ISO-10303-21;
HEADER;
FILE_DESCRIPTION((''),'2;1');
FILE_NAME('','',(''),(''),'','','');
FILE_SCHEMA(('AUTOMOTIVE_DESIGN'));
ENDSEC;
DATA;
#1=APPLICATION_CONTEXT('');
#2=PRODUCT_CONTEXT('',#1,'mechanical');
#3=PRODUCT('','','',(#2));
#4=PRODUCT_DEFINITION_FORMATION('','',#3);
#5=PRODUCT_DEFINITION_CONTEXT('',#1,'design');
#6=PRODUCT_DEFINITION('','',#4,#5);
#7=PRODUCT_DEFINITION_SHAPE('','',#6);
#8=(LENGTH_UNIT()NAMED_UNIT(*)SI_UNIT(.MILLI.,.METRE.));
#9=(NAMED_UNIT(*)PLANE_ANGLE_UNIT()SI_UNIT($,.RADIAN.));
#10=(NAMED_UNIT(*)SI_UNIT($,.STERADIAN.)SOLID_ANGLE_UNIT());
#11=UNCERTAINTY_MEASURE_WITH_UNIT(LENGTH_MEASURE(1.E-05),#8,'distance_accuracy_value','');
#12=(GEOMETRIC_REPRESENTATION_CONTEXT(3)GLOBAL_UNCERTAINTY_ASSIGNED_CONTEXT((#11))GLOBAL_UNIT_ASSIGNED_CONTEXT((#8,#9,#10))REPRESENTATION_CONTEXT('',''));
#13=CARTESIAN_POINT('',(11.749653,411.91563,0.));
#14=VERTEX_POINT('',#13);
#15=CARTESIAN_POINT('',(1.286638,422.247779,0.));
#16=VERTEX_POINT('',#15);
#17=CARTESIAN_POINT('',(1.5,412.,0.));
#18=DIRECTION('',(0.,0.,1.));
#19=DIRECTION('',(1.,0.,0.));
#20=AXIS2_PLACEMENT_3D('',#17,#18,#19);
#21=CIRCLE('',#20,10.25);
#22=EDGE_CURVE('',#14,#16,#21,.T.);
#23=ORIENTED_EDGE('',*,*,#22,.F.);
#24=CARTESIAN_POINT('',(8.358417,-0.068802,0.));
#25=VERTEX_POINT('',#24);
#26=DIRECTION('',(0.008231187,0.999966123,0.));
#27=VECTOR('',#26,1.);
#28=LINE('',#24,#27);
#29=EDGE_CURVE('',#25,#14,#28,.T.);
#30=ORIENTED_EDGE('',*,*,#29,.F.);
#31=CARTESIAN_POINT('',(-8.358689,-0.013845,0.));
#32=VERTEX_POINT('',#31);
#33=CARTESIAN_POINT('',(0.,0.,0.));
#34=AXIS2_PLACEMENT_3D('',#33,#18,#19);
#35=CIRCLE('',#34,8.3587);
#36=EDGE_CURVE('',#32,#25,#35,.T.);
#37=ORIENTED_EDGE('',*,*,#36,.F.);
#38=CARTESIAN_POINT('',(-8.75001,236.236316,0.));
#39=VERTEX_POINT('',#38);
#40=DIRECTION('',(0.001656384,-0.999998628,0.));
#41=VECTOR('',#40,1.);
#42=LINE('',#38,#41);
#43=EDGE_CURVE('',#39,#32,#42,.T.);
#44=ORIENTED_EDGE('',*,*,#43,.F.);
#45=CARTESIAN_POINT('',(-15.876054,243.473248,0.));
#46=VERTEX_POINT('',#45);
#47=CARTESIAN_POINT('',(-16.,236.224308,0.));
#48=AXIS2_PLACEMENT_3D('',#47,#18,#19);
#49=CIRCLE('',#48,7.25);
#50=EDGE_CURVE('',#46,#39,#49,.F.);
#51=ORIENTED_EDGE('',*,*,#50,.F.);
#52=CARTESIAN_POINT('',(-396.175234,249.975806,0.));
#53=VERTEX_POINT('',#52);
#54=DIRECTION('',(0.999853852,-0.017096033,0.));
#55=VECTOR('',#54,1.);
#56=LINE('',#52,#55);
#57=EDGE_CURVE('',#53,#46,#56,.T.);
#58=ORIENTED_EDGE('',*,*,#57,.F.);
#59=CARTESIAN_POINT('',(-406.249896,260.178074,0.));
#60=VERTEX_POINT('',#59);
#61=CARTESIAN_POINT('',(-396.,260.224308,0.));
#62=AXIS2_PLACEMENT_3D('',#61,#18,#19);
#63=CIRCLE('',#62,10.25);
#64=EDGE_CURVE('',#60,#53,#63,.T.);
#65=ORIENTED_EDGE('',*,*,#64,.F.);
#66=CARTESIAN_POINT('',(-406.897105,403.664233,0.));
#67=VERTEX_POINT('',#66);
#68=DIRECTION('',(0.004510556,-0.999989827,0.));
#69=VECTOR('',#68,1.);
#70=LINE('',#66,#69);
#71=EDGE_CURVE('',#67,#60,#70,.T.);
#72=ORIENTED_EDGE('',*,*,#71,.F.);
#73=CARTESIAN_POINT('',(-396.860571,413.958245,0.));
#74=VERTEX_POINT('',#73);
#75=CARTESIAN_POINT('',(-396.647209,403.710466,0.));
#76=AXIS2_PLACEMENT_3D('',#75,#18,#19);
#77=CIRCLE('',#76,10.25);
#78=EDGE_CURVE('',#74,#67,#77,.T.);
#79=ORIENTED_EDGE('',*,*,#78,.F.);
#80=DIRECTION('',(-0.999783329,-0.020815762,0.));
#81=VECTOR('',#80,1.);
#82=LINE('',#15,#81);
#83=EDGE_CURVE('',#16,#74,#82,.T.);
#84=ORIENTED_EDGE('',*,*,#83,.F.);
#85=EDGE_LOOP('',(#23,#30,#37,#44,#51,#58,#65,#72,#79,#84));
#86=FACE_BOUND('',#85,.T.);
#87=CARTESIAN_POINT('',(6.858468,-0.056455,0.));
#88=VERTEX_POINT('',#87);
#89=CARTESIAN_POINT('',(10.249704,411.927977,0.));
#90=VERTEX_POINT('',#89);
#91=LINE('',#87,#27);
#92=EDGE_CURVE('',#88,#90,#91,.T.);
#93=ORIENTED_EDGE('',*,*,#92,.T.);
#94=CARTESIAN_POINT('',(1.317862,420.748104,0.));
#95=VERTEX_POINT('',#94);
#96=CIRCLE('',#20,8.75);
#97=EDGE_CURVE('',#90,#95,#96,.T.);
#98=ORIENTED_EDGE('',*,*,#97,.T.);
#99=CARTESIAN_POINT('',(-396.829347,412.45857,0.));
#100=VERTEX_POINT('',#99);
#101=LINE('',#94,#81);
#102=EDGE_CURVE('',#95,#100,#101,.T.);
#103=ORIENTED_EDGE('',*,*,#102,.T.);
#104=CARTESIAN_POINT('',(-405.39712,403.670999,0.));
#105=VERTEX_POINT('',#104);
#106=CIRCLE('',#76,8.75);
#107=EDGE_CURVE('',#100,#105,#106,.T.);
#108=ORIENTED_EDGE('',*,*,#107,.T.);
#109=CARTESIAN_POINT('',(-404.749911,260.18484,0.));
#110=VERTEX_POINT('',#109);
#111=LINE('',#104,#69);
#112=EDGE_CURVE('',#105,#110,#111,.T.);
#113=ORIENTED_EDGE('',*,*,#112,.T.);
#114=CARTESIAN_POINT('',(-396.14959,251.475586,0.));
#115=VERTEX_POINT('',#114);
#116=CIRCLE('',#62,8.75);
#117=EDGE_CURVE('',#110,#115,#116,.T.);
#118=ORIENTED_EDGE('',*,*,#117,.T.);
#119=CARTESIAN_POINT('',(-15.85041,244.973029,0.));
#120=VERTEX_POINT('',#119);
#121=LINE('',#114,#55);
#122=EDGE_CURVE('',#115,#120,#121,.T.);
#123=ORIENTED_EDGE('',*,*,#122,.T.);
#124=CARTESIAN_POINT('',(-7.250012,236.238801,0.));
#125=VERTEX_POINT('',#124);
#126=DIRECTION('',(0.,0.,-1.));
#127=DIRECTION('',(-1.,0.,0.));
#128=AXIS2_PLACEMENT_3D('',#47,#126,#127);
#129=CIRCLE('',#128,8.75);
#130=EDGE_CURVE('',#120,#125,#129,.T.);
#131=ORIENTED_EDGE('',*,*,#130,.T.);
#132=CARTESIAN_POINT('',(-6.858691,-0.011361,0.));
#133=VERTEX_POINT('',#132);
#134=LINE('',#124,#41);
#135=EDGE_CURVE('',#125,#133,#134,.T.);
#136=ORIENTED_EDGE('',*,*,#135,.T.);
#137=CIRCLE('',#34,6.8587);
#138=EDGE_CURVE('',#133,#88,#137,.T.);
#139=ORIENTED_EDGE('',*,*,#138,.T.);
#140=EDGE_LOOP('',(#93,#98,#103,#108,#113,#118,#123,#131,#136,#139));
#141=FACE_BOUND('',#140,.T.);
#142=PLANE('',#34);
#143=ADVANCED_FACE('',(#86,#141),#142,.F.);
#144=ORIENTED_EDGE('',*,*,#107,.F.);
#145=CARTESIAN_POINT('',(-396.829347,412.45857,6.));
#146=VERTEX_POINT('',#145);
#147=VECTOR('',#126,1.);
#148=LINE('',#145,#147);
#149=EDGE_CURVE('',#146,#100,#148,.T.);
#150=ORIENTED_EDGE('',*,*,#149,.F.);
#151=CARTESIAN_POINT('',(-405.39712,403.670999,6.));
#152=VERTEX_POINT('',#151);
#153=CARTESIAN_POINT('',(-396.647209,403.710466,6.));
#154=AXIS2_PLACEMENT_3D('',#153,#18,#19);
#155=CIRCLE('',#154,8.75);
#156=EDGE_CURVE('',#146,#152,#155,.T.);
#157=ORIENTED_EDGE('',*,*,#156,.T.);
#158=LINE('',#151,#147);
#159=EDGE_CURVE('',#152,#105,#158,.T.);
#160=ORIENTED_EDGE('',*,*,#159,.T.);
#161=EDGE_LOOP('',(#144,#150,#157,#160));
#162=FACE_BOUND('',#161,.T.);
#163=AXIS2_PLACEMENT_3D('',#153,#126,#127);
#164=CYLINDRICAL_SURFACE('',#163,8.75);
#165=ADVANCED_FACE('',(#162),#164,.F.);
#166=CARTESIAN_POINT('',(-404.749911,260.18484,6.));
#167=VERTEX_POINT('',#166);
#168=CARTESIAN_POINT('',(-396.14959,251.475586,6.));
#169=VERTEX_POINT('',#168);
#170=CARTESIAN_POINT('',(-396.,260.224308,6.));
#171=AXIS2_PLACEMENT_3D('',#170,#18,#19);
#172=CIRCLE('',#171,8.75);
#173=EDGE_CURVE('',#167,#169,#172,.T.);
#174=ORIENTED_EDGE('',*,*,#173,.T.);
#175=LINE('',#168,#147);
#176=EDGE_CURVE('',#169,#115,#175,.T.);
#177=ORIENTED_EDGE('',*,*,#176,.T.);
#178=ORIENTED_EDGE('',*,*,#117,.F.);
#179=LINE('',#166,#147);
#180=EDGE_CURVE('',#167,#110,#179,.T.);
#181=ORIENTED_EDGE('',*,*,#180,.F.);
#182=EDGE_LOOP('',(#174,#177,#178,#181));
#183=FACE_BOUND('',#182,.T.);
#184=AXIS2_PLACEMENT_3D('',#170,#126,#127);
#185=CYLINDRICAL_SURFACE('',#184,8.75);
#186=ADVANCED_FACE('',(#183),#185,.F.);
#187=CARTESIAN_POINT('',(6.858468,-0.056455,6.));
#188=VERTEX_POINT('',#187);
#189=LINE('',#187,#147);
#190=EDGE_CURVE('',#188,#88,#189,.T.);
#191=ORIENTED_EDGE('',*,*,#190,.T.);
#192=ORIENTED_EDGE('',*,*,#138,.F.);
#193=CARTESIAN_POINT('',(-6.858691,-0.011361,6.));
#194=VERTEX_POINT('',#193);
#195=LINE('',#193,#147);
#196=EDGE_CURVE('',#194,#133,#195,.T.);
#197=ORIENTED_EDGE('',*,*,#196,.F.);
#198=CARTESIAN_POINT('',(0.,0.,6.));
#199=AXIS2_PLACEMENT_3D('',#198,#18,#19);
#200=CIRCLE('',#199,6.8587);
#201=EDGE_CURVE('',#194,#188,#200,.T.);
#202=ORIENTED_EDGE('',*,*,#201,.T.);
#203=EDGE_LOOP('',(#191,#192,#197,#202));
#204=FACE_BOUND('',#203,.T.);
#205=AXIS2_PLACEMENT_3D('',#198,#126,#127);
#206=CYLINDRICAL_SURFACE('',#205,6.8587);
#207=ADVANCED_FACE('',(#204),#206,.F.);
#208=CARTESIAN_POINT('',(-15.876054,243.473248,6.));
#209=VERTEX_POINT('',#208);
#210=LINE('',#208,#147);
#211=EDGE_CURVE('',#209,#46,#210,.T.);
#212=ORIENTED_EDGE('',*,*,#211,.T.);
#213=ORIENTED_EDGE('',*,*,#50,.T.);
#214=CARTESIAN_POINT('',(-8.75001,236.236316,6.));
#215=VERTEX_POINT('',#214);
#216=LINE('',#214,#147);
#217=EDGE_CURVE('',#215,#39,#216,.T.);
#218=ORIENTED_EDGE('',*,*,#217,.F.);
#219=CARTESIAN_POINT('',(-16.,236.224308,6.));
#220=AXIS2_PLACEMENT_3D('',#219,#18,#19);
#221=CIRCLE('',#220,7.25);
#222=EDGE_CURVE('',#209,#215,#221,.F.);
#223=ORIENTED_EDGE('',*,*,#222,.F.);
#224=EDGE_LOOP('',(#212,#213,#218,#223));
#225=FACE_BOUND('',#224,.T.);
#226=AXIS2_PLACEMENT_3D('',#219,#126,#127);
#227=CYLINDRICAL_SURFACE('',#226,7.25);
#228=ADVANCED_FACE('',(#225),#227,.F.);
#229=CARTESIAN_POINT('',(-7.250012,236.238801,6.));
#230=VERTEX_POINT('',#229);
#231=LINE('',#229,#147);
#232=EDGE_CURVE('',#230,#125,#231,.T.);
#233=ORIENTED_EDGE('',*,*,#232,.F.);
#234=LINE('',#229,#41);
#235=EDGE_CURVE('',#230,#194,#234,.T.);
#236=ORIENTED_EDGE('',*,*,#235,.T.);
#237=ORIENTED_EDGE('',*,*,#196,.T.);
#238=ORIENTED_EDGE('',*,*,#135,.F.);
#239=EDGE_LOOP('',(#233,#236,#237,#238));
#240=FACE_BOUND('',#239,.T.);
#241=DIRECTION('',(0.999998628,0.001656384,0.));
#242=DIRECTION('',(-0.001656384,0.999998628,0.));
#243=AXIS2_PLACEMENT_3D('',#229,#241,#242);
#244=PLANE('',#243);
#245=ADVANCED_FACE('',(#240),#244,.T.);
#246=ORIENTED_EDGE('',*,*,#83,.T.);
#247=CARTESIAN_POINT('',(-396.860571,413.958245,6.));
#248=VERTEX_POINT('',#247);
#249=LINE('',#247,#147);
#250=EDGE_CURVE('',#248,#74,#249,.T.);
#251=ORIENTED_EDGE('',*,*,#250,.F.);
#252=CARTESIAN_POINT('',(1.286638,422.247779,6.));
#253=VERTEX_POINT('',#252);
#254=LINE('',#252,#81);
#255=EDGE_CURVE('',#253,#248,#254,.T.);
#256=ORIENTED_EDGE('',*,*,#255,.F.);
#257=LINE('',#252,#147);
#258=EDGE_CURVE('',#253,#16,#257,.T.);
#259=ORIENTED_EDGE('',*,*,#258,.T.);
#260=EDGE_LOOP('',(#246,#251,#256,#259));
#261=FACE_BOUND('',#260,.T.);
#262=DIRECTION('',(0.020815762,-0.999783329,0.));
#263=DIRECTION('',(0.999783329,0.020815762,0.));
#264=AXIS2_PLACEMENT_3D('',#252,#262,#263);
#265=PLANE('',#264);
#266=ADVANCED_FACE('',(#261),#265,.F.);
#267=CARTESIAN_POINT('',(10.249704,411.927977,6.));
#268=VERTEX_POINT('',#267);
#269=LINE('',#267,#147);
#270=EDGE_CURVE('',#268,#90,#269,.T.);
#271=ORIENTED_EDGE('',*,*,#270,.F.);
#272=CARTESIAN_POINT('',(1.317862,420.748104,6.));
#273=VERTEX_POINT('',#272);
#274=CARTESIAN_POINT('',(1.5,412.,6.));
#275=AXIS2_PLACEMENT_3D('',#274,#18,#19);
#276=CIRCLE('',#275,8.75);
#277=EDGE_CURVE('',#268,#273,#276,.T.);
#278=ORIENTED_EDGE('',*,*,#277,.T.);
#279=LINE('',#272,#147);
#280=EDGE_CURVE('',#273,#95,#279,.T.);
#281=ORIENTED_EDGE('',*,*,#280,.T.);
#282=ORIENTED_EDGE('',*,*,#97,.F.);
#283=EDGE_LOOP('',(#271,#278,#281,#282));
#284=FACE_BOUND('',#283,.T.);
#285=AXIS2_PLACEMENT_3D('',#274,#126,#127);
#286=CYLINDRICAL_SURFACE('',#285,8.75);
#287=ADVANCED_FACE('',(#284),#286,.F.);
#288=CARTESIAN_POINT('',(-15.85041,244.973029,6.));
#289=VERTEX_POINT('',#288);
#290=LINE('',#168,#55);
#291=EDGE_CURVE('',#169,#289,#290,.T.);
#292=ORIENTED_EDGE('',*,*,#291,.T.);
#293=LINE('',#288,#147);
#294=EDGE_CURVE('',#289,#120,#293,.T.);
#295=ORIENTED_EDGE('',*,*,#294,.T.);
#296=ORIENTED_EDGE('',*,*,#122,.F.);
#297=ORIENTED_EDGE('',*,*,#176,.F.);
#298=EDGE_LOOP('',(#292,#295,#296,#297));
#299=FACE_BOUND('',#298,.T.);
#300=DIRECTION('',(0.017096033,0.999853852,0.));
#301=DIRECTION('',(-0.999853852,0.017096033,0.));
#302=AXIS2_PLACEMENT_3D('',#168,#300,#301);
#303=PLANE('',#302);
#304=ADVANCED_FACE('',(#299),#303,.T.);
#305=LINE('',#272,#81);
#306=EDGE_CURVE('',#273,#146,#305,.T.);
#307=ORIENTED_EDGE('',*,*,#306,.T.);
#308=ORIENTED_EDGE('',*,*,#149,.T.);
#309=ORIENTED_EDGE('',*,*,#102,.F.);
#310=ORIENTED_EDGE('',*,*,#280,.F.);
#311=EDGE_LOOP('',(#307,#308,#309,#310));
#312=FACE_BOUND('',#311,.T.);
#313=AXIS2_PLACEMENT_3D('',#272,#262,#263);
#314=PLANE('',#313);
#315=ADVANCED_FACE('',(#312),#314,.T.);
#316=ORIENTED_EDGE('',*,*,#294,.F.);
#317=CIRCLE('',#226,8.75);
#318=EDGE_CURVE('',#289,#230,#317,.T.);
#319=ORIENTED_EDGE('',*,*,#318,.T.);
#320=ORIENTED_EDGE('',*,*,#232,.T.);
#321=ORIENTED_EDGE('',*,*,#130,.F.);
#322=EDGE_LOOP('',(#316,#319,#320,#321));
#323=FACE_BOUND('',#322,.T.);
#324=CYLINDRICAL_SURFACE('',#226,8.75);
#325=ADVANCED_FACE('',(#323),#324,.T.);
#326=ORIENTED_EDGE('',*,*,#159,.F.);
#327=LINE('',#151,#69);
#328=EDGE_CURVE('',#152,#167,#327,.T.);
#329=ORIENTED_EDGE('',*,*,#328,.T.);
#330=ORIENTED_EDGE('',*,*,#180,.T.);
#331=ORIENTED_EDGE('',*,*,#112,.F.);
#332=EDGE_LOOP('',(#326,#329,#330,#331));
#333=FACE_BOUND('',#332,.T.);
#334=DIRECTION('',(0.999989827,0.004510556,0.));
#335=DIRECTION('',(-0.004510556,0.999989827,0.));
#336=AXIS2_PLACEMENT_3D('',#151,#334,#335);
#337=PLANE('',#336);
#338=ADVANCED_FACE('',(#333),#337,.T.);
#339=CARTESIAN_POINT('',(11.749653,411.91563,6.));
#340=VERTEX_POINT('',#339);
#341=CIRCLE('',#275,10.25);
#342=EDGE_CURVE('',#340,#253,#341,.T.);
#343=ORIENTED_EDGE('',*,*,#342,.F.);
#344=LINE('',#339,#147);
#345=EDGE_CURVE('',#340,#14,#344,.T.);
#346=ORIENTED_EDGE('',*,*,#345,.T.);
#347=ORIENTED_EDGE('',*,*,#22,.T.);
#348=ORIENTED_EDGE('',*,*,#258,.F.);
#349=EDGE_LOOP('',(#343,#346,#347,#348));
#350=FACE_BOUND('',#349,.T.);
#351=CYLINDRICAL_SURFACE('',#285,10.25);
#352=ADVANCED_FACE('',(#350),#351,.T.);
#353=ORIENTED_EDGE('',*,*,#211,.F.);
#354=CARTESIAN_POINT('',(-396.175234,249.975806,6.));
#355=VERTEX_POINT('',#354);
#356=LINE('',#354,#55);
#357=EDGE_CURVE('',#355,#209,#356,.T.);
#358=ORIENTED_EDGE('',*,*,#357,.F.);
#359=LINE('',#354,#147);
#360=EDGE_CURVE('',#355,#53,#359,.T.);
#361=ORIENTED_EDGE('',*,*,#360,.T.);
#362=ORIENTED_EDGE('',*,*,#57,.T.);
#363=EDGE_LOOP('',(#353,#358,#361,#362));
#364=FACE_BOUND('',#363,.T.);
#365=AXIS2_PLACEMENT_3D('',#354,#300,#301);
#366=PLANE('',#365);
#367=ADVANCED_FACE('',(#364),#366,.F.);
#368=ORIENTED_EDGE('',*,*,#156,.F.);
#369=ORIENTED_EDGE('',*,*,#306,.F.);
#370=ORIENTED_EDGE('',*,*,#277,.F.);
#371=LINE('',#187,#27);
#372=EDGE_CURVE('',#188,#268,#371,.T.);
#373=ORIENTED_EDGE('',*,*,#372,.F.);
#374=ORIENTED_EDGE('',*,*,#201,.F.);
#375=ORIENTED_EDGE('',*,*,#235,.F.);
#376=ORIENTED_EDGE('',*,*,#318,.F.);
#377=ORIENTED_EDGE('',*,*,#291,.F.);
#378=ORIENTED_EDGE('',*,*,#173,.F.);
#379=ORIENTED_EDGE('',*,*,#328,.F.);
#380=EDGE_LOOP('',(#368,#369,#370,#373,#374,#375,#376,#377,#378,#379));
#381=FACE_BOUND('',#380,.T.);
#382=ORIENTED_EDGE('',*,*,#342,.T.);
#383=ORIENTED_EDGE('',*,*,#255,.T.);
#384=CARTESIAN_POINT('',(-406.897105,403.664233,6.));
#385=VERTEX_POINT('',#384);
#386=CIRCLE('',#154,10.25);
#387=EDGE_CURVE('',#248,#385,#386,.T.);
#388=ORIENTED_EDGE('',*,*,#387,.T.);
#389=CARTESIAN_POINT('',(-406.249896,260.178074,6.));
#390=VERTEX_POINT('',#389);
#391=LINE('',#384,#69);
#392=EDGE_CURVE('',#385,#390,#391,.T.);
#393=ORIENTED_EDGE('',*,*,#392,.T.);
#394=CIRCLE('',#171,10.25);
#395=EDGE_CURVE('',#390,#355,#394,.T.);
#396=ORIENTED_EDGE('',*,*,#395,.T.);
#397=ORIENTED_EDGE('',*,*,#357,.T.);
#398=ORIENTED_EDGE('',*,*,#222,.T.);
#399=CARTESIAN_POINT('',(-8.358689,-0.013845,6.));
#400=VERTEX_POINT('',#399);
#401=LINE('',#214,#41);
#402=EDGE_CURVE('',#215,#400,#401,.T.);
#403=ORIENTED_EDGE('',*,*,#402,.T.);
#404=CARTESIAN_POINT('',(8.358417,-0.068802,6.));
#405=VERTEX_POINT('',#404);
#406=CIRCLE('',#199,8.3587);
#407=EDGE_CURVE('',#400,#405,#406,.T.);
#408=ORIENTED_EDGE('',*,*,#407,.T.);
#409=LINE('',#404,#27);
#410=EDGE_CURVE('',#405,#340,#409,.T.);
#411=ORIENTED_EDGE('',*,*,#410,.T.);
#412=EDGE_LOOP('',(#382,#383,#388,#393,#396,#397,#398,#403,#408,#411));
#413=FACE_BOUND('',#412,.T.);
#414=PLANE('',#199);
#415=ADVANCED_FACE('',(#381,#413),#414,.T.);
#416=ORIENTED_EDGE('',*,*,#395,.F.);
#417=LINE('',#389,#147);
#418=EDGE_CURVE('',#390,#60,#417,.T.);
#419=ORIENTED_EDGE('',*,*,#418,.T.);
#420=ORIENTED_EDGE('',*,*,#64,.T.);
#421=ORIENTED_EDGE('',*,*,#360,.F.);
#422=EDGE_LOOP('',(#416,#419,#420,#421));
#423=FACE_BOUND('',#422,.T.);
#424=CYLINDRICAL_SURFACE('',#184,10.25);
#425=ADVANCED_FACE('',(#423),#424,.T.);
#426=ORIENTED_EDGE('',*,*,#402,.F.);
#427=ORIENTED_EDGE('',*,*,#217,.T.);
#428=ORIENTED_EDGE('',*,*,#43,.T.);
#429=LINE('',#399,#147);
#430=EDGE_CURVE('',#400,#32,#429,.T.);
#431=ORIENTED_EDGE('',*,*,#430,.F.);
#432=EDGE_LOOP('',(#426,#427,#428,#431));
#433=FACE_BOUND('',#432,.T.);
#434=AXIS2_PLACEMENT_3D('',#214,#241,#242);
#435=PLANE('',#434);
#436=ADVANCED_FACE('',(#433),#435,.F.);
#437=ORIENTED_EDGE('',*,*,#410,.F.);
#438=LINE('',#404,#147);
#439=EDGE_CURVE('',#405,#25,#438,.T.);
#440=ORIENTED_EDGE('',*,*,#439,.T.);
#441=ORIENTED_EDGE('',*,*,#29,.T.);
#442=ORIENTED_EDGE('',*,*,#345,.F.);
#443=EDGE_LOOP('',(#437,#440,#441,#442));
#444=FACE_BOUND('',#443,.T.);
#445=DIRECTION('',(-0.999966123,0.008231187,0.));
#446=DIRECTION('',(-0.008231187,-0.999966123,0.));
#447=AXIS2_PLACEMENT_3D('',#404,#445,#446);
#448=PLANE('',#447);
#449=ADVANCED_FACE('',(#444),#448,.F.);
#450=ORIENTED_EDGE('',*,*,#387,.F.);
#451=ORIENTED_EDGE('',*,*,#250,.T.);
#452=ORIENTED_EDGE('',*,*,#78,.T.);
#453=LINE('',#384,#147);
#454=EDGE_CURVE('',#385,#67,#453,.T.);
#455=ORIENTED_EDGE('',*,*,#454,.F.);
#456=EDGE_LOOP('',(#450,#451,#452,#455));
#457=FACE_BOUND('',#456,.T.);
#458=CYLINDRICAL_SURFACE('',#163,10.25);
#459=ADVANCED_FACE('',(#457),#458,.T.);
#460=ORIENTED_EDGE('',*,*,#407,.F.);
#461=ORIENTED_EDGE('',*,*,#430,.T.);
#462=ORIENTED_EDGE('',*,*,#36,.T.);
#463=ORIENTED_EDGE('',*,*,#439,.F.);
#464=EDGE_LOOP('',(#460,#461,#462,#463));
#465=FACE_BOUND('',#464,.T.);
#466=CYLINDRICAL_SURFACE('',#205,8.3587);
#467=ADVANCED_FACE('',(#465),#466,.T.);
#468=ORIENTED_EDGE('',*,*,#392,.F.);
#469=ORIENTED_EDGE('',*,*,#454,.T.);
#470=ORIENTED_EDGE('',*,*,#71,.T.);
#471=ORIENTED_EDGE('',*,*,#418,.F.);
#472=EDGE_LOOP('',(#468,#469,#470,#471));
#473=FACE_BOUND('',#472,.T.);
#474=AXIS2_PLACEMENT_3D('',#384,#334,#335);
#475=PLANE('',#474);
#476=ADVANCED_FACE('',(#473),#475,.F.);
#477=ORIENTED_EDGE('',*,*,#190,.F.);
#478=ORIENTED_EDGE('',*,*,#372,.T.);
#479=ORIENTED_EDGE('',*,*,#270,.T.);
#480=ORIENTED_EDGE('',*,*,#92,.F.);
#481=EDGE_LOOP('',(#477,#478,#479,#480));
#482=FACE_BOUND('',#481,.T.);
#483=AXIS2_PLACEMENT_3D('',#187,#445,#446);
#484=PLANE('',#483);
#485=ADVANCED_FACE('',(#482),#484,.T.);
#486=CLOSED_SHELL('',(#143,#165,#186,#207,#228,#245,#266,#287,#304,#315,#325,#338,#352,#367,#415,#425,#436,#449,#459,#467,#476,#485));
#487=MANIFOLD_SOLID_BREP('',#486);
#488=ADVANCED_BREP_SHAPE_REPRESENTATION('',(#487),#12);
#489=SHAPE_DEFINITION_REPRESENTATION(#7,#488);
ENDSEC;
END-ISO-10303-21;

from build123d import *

# Parameters (mm, degrees)
EXTRUDE_1_DEPTH = 6


with BuildPart() as part:
    # Эскиз1 → Вытянуть-Тонкостенный1 (new body)
    with BuildSketch(Plane.XY):
        with BuildLine():
            Line((-8.750009946, 236.236316306), (-8.358688534, -0.013845213))
            ThreePointArc((-8.358688534, -0.013845213), (-0.027478742, -8.358654832), (8.358416834, -0.068802026))
            Line((8.358416834, -0.068802026), (11.749652763, 411.915630331))
            ThreePointArc((11.749652763, 411.915630331), (8.702090663, 419.293311326), (1.28663844, 422.247779119))
            Line((1.28663844, 422.247779119), (-396.860570527, 413.958245474))
            ThreePointArc((-396.860570527, 413.958245474), (-403.986255954, 410.865946027), (-406.897104697, 403.664233156))
            Line((-406.897104697, 403.664233156), (-406.249895731, 260.178074325))
            ThreePointArc((-406.249895731, 260.178074325), (-403.293312438, 253.022217989), (-396.175234336, 249.975805541))
            Line((-396.175234336, 249.975805541), (-15.876053763, 243.473247954))
            ThreePointArc((-15.876053763, 243.473247954), (-10.834051004, 241.311101307), (-8.750009946, 236.236316306))
        make_face()
        with BuildLine():
            Line((-7.250012003, 236.238800882), (-6.858690591, -0.011360638))
            ThreePointArc((-6.858690591, -0.011360638), (-0.022547579, -6.858662938), (6.858467649, -0.056455245))
            Line((6.858467649, -0.056455245), (10.249703578, 411.927977112))
            ThreePointArc((10.249703578, 411.927977112), (7.648126176, 418.225997474), (1.317862083, 420.748104126))
            Line((1.317862083, 420.748104126), (-396.829346884, 412.458570482))
            ThreePointArc((-396.829346884, 412.458570482), (-402.912249078, 409.81880266), (-405.397119956, 403.67099899))
            Line((-405.397119956, 403.67099899), (-404.74991099, 260.184840159))
            ThreePointArc((-404.74991099, 260.184840159), (-402.225998422, 254.076182312), (-396.149590287, 251.475586319))
            Line((-396.149590287, 251.475586319), (-15.850409713, 244.973028732))
            ThreePointArc((-15.850409713, 244.973028732), (-9.765233971, 242.3635414), (-7.250012003, 236.238800882))
        make_face(mode=Mode.SUBTRACT)
    extrude(amount=EXTRUDE_1_DEPTH)


solid = part.part
